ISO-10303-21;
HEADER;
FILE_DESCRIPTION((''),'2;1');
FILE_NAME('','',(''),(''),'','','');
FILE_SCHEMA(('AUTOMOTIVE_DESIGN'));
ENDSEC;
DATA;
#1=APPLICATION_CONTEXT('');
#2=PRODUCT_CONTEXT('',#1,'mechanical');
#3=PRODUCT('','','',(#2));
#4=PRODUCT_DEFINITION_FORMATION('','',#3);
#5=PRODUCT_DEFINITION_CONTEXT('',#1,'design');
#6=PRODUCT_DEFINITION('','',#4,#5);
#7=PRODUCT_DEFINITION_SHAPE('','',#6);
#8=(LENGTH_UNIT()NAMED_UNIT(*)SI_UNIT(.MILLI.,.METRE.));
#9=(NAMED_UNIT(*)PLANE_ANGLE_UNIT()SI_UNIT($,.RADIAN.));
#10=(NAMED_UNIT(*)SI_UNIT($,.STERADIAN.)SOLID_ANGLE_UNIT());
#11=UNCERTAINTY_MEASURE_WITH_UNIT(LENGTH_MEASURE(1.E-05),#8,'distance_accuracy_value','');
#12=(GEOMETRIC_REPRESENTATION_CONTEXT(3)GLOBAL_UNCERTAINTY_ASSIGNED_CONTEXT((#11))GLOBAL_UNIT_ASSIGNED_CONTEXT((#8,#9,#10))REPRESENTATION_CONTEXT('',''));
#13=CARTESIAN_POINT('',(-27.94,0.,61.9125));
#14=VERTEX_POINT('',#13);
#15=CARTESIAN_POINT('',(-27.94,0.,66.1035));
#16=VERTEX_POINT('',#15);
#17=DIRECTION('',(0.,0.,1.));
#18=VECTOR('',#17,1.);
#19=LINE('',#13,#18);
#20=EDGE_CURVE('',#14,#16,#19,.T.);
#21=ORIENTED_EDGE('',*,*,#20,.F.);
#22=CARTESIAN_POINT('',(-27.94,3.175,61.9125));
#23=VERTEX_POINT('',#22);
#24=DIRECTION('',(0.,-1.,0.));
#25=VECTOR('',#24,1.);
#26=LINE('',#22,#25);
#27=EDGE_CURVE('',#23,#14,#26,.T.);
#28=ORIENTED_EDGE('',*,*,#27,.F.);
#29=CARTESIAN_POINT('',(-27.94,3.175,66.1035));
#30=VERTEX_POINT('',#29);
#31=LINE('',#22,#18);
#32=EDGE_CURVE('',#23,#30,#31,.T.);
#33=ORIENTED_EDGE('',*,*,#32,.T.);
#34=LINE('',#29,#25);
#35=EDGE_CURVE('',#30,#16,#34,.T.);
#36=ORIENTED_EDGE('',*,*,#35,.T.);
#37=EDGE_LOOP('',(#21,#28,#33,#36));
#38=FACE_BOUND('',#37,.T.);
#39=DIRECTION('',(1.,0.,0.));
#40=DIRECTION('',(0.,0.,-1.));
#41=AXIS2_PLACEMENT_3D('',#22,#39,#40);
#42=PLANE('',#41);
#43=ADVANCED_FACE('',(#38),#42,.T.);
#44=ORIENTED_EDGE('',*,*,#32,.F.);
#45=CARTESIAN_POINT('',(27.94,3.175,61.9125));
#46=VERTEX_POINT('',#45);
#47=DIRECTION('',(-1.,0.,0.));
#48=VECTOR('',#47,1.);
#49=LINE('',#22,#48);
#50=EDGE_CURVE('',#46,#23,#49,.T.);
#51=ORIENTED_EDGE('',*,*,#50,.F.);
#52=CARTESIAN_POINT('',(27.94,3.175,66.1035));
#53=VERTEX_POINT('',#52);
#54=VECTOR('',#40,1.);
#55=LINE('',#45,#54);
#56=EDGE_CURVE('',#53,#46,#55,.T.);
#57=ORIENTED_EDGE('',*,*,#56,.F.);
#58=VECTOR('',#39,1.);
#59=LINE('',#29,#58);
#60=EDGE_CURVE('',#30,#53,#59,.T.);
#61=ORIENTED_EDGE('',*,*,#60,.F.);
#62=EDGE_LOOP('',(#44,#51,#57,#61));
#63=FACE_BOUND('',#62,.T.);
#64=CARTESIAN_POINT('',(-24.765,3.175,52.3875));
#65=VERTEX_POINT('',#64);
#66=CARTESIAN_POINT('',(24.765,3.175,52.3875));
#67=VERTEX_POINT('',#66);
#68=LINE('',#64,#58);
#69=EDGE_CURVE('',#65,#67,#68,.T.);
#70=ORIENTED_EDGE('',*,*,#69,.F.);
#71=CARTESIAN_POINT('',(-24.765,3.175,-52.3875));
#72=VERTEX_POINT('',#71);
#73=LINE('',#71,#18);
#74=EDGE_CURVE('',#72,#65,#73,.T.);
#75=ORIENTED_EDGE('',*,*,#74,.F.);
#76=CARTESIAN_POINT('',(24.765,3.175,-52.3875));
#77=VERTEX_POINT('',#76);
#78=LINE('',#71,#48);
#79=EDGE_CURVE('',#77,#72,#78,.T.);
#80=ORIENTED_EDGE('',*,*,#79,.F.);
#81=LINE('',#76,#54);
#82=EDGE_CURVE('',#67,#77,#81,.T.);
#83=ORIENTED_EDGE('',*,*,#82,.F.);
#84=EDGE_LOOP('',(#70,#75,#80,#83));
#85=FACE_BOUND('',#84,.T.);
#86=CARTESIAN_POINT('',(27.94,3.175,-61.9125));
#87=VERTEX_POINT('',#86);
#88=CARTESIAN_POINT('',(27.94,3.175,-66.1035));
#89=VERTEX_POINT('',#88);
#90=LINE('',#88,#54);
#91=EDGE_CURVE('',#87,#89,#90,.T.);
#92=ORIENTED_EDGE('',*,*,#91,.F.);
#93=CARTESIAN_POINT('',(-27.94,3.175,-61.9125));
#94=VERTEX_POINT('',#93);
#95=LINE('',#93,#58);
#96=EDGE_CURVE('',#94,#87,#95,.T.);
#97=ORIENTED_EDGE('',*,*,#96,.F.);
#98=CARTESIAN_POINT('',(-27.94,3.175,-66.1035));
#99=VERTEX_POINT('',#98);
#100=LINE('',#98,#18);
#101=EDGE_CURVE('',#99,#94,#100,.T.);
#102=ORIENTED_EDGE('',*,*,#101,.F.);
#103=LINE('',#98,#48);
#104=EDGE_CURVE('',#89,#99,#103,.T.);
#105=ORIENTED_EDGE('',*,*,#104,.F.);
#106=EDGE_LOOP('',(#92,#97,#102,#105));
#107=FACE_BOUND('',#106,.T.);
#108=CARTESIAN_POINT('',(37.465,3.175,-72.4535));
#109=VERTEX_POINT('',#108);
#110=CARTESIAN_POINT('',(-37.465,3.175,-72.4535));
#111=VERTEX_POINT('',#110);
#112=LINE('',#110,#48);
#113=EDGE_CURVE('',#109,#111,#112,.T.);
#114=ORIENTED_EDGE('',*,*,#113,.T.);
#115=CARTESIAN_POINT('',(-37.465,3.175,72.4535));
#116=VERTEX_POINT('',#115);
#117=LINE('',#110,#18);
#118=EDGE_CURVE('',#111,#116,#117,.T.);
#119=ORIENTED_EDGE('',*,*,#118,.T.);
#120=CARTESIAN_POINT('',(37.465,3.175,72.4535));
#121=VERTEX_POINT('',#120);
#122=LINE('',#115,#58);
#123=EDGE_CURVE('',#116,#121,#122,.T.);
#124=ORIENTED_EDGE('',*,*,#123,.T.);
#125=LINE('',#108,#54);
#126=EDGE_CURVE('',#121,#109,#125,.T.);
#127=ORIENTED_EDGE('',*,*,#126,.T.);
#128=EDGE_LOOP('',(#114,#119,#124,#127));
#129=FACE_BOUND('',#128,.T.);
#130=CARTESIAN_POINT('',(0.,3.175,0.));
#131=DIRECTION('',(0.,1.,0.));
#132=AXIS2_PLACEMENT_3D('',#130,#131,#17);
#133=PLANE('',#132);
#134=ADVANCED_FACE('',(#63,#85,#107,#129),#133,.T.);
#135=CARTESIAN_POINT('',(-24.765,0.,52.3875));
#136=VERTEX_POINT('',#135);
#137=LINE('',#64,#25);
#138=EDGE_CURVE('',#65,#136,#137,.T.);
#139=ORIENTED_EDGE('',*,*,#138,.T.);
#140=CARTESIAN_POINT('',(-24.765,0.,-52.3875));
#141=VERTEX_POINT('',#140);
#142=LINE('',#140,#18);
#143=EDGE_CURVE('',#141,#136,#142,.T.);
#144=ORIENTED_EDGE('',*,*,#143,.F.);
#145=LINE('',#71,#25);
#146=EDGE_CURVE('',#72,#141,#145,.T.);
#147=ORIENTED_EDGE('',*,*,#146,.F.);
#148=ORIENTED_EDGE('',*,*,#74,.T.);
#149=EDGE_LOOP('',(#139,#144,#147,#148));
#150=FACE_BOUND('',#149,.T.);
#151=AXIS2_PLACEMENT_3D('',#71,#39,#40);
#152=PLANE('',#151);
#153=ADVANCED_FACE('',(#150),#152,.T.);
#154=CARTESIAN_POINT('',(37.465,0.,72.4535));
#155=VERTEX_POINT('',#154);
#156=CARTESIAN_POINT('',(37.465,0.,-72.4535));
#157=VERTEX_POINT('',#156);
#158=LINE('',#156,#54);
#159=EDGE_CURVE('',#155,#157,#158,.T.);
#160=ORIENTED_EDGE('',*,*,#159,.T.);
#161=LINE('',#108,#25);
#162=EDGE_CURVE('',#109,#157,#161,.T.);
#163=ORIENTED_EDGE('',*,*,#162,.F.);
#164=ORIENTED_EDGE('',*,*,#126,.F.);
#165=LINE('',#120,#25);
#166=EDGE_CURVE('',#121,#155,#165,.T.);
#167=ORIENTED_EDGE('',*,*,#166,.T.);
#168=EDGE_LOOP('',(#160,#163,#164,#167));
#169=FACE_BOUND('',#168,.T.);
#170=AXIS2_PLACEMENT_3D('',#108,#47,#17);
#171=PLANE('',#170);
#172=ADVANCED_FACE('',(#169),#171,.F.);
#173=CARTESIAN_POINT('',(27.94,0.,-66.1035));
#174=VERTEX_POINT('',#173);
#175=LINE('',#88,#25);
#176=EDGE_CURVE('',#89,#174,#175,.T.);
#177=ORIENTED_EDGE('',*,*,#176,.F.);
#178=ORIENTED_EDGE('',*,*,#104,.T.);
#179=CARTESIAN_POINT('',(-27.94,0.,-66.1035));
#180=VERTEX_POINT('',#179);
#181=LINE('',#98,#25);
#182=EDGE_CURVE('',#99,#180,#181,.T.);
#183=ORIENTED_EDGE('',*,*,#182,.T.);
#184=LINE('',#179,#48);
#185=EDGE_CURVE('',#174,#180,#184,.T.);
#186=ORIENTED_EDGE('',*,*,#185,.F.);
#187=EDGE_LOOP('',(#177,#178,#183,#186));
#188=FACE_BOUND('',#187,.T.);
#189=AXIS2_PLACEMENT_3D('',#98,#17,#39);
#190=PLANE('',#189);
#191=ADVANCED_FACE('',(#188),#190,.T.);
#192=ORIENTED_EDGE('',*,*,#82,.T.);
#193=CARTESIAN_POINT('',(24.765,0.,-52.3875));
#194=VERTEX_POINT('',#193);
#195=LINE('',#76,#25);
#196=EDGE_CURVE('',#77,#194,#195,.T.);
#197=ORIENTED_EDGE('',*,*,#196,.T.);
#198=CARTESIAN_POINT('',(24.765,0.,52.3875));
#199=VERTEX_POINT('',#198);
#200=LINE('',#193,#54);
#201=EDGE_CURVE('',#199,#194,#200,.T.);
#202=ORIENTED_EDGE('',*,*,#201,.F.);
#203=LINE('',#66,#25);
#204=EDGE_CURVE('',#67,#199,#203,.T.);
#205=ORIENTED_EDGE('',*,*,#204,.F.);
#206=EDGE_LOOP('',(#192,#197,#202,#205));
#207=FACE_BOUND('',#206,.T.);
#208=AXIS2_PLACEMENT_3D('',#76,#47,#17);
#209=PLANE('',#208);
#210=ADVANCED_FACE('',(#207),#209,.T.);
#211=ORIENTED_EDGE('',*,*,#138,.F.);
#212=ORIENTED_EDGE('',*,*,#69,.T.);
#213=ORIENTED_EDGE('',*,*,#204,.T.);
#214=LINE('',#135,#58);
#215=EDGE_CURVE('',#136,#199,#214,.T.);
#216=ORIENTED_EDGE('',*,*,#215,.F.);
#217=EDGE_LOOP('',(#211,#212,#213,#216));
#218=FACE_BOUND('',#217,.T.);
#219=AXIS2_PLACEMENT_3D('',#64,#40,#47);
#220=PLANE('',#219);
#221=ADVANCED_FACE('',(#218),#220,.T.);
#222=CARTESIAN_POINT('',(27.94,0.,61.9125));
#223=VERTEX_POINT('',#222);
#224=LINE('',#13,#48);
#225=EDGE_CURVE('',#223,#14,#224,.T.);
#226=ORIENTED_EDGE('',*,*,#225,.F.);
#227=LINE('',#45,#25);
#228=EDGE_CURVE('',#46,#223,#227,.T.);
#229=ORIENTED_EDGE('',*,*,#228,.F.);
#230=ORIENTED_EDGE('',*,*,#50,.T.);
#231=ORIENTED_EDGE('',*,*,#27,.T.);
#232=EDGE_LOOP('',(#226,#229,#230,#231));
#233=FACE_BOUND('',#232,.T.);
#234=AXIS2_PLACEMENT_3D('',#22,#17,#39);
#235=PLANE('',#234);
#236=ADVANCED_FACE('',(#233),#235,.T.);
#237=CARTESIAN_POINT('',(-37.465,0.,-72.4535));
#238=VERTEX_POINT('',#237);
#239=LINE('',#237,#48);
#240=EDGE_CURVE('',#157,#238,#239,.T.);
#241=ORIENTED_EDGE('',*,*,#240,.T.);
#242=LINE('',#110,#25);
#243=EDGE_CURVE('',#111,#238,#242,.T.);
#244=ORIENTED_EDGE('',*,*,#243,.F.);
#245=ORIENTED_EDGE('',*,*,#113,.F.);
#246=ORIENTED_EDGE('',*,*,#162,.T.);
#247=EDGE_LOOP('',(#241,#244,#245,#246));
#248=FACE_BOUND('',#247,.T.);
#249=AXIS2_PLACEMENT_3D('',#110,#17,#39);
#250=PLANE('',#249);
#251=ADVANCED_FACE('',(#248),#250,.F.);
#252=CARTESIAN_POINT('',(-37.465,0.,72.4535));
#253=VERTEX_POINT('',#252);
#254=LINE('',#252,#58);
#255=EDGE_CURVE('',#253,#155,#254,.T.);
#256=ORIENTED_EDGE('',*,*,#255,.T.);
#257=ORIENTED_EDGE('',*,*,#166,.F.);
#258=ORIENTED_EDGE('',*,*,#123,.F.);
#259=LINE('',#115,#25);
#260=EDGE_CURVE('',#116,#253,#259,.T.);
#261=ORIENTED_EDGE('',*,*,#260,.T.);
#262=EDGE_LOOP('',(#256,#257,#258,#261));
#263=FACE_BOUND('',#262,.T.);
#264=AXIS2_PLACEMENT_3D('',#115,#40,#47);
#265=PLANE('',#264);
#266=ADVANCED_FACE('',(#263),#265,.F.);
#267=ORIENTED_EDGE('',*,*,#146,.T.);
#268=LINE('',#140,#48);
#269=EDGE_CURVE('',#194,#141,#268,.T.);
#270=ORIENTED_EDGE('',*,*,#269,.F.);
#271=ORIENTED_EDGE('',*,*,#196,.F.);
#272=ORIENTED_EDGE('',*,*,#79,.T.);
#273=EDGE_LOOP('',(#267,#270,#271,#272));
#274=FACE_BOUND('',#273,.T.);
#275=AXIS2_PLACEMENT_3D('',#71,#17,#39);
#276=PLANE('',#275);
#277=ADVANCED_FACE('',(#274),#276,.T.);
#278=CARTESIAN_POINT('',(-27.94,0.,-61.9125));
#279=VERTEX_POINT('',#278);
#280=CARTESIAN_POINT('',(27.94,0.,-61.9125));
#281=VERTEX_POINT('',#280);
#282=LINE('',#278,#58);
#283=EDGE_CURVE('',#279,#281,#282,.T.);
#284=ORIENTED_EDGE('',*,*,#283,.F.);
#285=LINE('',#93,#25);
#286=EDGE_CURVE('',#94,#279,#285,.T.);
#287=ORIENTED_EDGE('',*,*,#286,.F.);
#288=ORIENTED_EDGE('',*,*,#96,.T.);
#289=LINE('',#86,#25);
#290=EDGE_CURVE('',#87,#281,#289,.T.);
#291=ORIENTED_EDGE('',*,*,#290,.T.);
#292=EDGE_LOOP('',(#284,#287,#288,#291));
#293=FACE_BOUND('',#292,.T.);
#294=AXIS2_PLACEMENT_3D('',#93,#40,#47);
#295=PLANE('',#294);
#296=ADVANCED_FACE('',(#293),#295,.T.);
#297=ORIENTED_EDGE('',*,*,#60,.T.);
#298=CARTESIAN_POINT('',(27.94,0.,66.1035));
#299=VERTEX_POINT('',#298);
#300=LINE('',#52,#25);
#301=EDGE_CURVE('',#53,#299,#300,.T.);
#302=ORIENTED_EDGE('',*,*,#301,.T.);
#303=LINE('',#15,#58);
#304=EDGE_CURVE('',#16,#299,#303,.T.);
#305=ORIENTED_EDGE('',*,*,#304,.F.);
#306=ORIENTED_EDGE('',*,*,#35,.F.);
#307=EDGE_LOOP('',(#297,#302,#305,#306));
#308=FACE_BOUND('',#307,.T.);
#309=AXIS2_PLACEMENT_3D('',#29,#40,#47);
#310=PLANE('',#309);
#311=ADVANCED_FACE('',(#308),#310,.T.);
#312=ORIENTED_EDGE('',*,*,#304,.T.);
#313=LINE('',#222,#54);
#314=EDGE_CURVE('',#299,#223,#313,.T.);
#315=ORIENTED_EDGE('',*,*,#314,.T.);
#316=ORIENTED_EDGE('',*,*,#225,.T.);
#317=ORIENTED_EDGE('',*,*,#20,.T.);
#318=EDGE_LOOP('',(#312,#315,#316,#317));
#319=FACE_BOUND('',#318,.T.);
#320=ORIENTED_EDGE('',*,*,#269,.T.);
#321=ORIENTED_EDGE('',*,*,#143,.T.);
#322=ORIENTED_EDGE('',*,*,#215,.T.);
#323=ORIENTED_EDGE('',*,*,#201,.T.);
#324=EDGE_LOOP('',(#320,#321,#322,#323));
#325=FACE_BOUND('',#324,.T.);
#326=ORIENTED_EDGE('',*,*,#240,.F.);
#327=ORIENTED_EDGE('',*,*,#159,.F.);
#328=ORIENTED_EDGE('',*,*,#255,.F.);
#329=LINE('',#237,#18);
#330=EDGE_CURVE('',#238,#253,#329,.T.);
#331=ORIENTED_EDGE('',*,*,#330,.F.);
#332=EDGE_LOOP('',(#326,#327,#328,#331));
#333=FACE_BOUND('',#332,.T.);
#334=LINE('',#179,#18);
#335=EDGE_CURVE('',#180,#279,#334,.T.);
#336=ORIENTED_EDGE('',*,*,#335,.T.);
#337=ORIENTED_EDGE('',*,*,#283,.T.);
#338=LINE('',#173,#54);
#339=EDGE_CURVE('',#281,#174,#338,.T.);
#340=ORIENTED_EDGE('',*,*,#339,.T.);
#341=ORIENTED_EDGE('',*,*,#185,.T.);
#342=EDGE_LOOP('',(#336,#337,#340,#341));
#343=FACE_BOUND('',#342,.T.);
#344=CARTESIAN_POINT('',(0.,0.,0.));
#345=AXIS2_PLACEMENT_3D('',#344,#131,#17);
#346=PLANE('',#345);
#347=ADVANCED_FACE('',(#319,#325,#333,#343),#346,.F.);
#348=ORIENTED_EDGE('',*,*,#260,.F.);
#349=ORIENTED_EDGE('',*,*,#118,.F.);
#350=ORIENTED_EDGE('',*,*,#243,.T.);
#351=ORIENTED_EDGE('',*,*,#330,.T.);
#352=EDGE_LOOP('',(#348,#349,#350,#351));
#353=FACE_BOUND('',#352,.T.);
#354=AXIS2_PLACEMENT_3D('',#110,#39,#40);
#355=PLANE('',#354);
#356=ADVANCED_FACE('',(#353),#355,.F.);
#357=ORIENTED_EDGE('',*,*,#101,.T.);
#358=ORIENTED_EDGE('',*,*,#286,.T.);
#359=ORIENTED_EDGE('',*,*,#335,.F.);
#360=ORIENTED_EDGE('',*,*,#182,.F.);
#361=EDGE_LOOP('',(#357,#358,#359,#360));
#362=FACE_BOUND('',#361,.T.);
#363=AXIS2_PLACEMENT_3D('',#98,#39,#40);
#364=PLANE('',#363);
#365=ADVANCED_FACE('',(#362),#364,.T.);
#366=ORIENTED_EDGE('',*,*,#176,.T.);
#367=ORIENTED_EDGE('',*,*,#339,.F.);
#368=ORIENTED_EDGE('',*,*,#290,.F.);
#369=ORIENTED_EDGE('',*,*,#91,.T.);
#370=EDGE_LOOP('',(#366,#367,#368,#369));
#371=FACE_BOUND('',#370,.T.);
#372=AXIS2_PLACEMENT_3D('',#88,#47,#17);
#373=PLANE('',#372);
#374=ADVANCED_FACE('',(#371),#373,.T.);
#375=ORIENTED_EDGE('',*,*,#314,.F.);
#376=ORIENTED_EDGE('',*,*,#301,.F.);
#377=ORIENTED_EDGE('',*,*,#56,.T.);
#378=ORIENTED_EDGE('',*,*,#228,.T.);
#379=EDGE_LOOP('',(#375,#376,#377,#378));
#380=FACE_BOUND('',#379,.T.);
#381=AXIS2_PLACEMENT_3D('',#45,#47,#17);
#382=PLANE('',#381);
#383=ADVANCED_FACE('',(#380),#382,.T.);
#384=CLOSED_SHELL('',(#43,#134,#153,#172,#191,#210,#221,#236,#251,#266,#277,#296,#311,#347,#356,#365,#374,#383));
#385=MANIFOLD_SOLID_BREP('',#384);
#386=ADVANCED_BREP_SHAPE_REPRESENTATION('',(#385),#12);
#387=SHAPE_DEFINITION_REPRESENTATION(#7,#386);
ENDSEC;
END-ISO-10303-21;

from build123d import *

# Parameters (mm, degrees)
SKETCH1_W           = 74.93
SKETCH1_H           = 144.907
SKETCH1_W_2         = 55.88
SKETCH1_H_2         = 4.191
SKETCH1_W_3         = 49.53
SKETCH1_H_3         = 104.775
BOSS_EXTRUDE1_DEPTH = 3.175


with BuildPart() as part:
    # Sketch1 → Boss-Extrude1 (new body)
    with BuildSketch(Plane(origin=(0, 0, 0), x_dir=(1, 0, 0), z_dir=(0, 1, 0))):
        Rectangle(SKETCH1_W, SKETCH1_H)
        with Locations((0, -64.008)):
            Rectangle(SKETCH1_W_2, SKETCH1_H_2, mode=Mode.SUBTRACT)
        with Locations((0, 64.008)):
            Rectangle(SKETCH1_W_2, SKETCH1_H_2, mode=Mode.SUBTRACT)
        Rectangle(SKETCH1_W_3, SKETCH1_H_3, mode=Mode.SUBTRACT)
    extrude(amount=BOSS_EXTRUDE1_DEPTH)


solid = part.part
